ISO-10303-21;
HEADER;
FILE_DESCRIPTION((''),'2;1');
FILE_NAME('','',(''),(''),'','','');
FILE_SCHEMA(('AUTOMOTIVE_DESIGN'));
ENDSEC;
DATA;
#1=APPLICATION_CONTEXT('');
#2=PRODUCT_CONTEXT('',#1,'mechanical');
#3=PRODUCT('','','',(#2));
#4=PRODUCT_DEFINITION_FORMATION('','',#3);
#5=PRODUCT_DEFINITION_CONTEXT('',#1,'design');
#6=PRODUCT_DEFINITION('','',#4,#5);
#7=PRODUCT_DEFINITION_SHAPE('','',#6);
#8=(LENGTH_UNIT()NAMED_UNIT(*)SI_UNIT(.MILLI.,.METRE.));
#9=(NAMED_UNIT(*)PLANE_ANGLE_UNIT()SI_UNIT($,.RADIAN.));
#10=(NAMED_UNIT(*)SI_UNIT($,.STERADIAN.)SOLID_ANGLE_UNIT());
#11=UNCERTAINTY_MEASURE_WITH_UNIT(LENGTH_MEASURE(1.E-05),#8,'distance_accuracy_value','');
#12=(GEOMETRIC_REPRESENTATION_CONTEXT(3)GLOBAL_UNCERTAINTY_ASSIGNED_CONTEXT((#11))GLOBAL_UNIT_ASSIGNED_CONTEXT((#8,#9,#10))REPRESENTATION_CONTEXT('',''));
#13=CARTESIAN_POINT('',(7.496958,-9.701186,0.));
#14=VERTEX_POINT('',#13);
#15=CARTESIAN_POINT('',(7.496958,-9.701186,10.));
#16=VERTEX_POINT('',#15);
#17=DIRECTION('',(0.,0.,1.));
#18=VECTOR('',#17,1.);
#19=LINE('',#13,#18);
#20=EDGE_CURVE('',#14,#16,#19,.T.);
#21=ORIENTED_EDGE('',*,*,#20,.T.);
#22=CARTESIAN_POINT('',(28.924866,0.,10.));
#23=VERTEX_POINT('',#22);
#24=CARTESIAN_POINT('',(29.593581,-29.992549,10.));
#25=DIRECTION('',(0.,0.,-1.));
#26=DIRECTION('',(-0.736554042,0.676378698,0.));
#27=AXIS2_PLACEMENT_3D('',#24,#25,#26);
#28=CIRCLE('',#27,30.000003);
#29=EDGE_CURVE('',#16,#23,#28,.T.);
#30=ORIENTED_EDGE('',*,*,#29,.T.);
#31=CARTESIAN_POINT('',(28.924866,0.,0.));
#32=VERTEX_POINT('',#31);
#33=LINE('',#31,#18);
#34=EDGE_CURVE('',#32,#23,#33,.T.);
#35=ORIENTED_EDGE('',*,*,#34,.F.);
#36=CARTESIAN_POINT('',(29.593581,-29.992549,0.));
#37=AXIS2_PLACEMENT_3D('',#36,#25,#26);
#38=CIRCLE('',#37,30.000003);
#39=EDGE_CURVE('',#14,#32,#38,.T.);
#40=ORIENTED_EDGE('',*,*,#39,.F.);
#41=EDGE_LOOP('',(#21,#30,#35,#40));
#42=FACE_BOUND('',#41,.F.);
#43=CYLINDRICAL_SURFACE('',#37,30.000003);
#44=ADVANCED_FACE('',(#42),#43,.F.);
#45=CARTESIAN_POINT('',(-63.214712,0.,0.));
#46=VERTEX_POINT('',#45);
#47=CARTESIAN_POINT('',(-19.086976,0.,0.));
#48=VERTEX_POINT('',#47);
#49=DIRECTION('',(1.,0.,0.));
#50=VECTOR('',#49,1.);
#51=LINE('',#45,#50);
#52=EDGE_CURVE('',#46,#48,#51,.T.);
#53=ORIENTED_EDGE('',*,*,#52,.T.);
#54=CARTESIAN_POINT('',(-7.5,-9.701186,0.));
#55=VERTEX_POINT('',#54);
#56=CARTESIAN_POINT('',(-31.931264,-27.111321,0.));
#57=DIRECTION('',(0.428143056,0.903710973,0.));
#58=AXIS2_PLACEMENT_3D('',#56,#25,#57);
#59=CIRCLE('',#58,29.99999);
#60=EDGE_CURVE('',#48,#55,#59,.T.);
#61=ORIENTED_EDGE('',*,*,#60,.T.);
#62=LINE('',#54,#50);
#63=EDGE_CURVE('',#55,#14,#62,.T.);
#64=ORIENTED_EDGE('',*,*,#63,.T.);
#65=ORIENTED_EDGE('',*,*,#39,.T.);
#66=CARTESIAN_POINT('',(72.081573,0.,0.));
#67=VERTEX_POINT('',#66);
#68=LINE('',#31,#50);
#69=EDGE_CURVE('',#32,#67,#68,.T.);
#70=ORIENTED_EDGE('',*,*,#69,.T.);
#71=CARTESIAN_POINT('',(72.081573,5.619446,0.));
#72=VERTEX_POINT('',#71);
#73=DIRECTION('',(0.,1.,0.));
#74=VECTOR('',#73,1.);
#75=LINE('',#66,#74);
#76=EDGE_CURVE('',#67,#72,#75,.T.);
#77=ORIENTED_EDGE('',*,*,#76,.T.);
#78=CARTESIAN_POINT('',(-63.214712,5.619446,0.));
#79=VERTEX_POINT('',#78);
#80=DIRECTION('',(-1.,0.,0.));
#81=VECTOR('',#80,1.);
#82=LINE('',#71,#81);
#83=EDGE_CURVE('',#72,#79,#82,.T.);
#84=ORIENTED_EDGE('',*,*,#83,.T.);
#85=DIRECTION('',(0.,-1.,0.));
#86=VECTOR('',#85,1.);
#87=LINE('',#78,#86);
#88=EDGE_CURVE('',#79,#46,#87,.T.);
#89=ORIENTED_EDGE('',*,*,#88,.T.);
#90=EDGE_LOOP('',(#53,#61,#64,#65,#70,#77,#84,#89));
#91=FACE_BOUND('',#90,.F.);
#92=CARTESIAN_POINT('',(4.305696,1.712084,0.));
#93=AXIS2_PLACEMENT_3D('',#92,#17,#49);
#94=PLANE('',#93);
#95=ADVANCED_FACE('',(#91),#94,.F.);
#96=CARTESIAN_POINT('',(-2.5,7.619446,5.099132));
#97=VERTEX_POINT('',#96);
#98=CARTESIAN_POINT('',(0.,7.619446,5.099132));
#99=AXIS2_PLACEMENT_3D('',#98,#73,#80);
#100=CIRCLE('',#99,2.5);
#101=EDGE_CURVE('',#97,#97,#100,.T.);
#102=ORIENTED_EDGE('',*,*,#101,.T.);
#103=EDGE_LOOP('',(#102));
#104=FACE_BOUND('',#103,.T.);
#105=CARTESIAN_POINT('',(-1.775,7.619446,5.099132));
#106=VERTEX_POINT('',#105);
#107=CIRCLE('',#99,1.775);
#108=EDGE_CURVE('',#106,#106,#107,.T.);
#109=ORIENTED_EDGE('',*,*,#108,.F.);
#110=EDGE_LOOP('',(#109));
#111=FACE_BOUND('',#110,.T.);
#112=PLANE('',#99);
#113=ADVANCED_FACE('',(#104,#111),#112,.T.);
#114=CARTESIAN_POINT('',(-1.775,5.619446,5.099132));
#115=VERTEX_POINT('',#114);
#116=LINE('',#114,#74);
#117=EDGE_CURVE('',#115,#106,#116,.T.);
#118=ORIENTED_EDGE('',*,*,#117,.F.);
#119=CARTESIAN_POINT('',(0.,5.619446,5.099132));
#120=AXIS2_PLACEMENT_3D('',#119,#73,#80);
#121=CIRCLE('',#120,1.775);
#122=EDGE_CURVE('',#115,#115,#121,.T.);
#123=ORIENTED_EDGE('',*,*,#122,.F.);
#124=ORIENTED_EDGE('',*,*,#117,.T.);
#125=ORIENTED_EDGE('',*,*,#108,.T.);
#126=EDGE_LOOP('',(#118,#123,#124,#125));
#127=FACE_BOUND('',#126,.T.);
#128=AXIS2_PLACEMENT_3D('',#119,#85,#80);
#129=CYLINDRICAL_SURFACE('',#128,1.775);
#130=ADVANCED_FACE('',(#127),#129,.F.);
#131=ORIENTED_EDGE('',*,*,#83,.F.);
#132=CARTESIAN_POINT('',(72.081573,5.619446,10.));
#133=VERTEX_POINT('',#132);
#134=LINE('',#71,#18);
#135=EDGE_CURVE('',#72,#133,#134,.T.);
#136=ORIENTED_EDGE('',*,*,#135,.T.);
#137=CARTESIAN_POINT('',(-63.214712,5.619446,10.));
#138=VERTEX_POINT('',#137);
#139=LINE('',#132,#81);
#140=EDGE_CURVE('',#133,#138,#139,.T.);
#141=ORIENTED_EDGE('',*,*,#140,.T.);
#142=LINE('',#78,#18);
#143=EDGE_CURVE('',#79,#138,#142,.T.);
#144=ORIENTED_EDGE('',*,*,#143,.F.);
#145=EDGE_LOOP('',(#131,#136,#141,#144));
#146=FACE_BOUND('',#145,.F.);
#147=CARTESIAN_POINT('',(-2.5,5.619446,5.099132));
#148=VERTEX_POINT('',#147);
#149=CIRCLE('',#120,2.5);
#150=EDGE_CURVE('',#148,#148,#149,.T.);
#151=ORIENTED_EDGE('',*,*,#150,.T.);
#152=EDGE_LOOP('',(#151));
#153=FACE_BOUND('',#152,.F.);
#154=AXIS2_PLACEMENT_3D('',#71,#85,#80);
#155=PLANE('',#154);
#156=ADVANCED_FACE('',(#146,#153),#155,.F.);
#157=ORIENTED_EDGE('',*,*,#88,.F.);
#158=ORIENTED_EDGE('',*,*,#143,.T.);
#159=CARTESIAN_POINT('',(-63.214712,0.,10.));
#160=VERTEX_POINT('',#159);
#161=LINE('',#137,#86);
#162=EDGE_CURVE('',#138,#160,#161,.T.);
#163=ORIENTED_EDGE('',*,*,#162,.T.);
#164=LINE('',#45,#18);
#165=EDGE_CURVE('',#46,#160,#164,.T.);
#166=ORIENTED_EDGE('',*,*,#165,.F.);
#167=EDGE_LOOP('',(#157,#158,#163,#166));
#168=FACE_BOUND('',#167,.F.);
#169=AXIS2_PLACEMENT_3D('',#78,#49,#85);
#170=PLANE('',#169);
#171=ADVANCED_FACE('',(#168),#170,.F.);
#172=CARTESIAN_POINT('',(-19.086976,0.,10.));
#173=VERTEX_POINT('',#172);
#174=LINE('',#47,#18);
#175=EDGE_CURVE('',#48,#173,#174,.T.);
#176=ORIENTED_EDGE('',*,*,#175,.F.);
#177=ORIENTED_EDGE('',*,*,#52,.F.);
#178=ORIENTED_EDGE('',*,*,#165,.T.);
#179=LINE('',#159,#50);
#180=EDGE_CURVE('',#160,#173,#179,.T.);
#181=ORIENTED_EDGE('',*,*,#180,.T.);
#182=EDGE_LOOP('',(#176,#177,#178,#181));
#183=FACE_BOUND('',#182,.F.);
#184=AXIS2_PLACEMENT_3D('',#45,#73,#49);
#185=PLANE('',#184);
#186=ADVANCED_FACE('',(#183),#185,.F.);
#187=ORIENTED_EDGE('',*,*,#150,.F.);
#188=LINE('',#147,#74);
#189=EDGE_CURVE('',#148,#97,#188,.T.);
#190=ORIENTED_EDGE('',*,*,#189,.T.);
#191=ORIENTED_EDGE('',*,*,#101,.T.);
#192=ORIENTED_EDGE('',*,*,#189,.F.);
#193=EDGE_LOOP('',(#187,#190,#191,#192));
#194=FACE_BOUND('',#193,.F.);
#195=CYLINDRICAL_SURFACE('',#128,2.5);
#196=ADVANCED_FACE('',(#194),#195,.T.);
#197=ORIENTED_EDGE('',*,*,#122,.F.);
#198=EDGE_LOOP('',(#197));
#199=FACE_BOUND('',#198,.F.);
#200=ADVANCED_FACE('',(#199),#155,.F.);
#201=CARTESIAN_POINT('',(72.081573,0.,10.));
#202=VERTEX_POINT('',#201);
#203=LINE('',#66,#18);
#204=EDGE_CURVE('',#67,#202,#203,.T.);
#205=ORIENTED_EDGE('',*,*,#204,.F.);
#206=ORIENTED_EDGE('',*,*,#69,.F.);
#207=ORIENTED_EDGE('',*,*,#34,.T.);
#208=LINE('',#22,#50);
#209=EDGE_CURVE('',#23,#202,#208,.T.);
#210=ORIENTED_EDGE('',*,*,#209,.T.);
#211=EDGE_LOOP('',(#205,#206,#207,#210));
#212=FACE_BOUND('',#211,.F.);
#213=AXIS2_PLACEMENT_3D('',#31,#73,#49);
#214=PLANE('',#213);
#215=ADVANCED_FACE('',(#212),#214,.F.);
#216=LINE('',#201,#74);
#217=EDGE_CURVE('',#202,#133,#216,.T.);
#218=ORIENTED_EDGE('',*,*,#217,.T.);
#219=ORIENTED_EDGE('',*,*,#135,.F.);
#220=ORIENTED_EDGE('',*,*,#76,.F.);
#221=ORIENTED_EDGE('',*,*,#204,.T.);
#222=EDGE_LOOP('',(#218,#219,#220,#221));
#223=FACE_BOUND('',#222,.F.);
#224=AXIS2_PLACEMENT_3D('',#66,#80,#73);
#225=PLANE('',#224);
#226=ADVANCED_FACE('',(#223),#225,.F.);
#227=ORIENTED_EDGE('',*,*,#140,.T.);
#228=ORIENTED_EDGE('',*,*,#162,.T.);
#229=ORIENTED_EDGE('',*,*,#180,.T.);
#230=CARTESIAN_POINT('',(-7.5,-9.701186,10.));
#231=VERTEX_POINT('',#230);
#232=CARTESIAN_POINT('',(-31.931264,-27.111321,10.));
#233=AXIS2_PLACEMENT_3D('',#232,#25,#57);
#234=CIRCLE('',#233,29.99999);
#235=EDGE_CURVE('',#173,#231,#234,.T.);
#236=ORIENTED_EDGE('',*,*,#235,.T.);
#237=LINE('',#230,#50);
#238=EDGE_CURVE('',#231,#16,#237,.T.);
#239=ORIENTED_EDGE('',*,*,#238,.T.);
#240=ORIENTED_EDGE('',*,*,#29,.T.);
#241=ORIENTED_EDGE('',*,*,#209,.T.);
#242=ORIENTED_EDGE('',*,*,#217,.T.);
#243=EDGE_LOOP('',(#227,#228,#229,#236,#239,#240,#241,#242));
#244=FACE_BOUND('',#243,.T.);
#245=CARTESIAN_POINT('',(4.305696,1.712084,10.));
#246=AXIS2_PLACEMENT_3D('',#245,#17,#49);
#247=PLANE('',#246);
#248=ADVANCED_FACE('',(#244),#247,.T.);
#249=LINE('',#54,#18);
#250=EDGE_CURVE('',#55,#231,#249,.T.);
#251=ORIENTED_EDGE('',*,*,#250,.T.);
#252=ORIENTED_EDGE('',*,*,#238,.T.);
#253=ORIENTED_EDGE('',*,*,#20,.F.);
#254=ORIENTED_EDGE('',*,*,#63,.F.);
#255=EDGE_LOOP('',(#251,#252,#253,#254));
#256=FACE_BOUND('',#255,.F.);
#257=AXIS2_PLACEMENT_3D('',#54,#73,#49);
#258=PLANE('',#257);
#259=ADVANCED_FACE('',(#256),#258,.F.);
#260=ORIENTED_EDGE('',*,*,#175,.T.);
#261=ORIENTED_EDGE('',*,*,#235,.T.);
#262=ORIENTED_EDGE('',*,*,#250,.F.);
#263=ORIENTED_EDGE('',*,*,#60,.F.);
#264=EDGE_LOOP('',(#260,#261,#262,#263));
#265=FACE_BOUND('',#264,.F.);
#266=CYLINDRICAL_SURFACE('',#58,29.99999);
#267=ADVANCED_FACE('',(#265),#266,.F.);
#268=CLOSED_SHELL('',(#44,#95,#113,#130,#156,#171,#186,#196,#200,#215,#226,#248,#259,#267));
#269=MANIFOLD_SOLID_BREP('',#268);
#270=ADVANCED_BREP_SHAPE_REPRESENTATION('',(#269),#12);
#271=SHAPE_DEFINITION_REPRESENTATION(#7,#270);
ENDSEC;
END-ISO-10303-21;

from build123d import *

# Parameters (mm, degrees)
F1_DEPTH = 10
F2_R     = 2.5
F2_R_2   = 1.775
F3_DEPTH = 2


with BuildPart() as f1:
    # F0 (on Top) → F1 (new body)
    with BuildSketch(Plane.XY):
        with BuildLine():
            ThreePointArc((-19.086976, 0), (-12.672631, -4.109049), (-7.5, -9.701186))
            Line((-7.5, -9.701186), (7.496958, -9.701186))
            ThreePointArc((7.496958, -9.701186), (17.220489, -2.662954), (28.924866, 0))
            Line((28.924866, 0), (72.081573, 0))
            Line((72.081573, 0), (72.081573, 5.619446))
            Line((72.081573, 5.619446), (-63.214712, 5.619446))
            Line((-63.214712, 5.619446), (-63.214712, 0))
            Line((-63.214712, 0), (-19.086976, 0))
        make_face()
    extrude(amount=F1_DEPTH)

    # F2 (on face) → F3 (join)
    with BuildSketch(Plane(origin=(0, 5.619446, 0), x_dir=(-1, 0, 0), z_dir=(0, 1, 0))):
        with Locations((0, 5.099132)):
            Circle(F2_R)
        with Locations((0, 5.099132)):
            Circle(F2_R_2, mode=Mode.SUBTRACT)
    extrude(amount=F3_DEPTH)


solid = f1.part
